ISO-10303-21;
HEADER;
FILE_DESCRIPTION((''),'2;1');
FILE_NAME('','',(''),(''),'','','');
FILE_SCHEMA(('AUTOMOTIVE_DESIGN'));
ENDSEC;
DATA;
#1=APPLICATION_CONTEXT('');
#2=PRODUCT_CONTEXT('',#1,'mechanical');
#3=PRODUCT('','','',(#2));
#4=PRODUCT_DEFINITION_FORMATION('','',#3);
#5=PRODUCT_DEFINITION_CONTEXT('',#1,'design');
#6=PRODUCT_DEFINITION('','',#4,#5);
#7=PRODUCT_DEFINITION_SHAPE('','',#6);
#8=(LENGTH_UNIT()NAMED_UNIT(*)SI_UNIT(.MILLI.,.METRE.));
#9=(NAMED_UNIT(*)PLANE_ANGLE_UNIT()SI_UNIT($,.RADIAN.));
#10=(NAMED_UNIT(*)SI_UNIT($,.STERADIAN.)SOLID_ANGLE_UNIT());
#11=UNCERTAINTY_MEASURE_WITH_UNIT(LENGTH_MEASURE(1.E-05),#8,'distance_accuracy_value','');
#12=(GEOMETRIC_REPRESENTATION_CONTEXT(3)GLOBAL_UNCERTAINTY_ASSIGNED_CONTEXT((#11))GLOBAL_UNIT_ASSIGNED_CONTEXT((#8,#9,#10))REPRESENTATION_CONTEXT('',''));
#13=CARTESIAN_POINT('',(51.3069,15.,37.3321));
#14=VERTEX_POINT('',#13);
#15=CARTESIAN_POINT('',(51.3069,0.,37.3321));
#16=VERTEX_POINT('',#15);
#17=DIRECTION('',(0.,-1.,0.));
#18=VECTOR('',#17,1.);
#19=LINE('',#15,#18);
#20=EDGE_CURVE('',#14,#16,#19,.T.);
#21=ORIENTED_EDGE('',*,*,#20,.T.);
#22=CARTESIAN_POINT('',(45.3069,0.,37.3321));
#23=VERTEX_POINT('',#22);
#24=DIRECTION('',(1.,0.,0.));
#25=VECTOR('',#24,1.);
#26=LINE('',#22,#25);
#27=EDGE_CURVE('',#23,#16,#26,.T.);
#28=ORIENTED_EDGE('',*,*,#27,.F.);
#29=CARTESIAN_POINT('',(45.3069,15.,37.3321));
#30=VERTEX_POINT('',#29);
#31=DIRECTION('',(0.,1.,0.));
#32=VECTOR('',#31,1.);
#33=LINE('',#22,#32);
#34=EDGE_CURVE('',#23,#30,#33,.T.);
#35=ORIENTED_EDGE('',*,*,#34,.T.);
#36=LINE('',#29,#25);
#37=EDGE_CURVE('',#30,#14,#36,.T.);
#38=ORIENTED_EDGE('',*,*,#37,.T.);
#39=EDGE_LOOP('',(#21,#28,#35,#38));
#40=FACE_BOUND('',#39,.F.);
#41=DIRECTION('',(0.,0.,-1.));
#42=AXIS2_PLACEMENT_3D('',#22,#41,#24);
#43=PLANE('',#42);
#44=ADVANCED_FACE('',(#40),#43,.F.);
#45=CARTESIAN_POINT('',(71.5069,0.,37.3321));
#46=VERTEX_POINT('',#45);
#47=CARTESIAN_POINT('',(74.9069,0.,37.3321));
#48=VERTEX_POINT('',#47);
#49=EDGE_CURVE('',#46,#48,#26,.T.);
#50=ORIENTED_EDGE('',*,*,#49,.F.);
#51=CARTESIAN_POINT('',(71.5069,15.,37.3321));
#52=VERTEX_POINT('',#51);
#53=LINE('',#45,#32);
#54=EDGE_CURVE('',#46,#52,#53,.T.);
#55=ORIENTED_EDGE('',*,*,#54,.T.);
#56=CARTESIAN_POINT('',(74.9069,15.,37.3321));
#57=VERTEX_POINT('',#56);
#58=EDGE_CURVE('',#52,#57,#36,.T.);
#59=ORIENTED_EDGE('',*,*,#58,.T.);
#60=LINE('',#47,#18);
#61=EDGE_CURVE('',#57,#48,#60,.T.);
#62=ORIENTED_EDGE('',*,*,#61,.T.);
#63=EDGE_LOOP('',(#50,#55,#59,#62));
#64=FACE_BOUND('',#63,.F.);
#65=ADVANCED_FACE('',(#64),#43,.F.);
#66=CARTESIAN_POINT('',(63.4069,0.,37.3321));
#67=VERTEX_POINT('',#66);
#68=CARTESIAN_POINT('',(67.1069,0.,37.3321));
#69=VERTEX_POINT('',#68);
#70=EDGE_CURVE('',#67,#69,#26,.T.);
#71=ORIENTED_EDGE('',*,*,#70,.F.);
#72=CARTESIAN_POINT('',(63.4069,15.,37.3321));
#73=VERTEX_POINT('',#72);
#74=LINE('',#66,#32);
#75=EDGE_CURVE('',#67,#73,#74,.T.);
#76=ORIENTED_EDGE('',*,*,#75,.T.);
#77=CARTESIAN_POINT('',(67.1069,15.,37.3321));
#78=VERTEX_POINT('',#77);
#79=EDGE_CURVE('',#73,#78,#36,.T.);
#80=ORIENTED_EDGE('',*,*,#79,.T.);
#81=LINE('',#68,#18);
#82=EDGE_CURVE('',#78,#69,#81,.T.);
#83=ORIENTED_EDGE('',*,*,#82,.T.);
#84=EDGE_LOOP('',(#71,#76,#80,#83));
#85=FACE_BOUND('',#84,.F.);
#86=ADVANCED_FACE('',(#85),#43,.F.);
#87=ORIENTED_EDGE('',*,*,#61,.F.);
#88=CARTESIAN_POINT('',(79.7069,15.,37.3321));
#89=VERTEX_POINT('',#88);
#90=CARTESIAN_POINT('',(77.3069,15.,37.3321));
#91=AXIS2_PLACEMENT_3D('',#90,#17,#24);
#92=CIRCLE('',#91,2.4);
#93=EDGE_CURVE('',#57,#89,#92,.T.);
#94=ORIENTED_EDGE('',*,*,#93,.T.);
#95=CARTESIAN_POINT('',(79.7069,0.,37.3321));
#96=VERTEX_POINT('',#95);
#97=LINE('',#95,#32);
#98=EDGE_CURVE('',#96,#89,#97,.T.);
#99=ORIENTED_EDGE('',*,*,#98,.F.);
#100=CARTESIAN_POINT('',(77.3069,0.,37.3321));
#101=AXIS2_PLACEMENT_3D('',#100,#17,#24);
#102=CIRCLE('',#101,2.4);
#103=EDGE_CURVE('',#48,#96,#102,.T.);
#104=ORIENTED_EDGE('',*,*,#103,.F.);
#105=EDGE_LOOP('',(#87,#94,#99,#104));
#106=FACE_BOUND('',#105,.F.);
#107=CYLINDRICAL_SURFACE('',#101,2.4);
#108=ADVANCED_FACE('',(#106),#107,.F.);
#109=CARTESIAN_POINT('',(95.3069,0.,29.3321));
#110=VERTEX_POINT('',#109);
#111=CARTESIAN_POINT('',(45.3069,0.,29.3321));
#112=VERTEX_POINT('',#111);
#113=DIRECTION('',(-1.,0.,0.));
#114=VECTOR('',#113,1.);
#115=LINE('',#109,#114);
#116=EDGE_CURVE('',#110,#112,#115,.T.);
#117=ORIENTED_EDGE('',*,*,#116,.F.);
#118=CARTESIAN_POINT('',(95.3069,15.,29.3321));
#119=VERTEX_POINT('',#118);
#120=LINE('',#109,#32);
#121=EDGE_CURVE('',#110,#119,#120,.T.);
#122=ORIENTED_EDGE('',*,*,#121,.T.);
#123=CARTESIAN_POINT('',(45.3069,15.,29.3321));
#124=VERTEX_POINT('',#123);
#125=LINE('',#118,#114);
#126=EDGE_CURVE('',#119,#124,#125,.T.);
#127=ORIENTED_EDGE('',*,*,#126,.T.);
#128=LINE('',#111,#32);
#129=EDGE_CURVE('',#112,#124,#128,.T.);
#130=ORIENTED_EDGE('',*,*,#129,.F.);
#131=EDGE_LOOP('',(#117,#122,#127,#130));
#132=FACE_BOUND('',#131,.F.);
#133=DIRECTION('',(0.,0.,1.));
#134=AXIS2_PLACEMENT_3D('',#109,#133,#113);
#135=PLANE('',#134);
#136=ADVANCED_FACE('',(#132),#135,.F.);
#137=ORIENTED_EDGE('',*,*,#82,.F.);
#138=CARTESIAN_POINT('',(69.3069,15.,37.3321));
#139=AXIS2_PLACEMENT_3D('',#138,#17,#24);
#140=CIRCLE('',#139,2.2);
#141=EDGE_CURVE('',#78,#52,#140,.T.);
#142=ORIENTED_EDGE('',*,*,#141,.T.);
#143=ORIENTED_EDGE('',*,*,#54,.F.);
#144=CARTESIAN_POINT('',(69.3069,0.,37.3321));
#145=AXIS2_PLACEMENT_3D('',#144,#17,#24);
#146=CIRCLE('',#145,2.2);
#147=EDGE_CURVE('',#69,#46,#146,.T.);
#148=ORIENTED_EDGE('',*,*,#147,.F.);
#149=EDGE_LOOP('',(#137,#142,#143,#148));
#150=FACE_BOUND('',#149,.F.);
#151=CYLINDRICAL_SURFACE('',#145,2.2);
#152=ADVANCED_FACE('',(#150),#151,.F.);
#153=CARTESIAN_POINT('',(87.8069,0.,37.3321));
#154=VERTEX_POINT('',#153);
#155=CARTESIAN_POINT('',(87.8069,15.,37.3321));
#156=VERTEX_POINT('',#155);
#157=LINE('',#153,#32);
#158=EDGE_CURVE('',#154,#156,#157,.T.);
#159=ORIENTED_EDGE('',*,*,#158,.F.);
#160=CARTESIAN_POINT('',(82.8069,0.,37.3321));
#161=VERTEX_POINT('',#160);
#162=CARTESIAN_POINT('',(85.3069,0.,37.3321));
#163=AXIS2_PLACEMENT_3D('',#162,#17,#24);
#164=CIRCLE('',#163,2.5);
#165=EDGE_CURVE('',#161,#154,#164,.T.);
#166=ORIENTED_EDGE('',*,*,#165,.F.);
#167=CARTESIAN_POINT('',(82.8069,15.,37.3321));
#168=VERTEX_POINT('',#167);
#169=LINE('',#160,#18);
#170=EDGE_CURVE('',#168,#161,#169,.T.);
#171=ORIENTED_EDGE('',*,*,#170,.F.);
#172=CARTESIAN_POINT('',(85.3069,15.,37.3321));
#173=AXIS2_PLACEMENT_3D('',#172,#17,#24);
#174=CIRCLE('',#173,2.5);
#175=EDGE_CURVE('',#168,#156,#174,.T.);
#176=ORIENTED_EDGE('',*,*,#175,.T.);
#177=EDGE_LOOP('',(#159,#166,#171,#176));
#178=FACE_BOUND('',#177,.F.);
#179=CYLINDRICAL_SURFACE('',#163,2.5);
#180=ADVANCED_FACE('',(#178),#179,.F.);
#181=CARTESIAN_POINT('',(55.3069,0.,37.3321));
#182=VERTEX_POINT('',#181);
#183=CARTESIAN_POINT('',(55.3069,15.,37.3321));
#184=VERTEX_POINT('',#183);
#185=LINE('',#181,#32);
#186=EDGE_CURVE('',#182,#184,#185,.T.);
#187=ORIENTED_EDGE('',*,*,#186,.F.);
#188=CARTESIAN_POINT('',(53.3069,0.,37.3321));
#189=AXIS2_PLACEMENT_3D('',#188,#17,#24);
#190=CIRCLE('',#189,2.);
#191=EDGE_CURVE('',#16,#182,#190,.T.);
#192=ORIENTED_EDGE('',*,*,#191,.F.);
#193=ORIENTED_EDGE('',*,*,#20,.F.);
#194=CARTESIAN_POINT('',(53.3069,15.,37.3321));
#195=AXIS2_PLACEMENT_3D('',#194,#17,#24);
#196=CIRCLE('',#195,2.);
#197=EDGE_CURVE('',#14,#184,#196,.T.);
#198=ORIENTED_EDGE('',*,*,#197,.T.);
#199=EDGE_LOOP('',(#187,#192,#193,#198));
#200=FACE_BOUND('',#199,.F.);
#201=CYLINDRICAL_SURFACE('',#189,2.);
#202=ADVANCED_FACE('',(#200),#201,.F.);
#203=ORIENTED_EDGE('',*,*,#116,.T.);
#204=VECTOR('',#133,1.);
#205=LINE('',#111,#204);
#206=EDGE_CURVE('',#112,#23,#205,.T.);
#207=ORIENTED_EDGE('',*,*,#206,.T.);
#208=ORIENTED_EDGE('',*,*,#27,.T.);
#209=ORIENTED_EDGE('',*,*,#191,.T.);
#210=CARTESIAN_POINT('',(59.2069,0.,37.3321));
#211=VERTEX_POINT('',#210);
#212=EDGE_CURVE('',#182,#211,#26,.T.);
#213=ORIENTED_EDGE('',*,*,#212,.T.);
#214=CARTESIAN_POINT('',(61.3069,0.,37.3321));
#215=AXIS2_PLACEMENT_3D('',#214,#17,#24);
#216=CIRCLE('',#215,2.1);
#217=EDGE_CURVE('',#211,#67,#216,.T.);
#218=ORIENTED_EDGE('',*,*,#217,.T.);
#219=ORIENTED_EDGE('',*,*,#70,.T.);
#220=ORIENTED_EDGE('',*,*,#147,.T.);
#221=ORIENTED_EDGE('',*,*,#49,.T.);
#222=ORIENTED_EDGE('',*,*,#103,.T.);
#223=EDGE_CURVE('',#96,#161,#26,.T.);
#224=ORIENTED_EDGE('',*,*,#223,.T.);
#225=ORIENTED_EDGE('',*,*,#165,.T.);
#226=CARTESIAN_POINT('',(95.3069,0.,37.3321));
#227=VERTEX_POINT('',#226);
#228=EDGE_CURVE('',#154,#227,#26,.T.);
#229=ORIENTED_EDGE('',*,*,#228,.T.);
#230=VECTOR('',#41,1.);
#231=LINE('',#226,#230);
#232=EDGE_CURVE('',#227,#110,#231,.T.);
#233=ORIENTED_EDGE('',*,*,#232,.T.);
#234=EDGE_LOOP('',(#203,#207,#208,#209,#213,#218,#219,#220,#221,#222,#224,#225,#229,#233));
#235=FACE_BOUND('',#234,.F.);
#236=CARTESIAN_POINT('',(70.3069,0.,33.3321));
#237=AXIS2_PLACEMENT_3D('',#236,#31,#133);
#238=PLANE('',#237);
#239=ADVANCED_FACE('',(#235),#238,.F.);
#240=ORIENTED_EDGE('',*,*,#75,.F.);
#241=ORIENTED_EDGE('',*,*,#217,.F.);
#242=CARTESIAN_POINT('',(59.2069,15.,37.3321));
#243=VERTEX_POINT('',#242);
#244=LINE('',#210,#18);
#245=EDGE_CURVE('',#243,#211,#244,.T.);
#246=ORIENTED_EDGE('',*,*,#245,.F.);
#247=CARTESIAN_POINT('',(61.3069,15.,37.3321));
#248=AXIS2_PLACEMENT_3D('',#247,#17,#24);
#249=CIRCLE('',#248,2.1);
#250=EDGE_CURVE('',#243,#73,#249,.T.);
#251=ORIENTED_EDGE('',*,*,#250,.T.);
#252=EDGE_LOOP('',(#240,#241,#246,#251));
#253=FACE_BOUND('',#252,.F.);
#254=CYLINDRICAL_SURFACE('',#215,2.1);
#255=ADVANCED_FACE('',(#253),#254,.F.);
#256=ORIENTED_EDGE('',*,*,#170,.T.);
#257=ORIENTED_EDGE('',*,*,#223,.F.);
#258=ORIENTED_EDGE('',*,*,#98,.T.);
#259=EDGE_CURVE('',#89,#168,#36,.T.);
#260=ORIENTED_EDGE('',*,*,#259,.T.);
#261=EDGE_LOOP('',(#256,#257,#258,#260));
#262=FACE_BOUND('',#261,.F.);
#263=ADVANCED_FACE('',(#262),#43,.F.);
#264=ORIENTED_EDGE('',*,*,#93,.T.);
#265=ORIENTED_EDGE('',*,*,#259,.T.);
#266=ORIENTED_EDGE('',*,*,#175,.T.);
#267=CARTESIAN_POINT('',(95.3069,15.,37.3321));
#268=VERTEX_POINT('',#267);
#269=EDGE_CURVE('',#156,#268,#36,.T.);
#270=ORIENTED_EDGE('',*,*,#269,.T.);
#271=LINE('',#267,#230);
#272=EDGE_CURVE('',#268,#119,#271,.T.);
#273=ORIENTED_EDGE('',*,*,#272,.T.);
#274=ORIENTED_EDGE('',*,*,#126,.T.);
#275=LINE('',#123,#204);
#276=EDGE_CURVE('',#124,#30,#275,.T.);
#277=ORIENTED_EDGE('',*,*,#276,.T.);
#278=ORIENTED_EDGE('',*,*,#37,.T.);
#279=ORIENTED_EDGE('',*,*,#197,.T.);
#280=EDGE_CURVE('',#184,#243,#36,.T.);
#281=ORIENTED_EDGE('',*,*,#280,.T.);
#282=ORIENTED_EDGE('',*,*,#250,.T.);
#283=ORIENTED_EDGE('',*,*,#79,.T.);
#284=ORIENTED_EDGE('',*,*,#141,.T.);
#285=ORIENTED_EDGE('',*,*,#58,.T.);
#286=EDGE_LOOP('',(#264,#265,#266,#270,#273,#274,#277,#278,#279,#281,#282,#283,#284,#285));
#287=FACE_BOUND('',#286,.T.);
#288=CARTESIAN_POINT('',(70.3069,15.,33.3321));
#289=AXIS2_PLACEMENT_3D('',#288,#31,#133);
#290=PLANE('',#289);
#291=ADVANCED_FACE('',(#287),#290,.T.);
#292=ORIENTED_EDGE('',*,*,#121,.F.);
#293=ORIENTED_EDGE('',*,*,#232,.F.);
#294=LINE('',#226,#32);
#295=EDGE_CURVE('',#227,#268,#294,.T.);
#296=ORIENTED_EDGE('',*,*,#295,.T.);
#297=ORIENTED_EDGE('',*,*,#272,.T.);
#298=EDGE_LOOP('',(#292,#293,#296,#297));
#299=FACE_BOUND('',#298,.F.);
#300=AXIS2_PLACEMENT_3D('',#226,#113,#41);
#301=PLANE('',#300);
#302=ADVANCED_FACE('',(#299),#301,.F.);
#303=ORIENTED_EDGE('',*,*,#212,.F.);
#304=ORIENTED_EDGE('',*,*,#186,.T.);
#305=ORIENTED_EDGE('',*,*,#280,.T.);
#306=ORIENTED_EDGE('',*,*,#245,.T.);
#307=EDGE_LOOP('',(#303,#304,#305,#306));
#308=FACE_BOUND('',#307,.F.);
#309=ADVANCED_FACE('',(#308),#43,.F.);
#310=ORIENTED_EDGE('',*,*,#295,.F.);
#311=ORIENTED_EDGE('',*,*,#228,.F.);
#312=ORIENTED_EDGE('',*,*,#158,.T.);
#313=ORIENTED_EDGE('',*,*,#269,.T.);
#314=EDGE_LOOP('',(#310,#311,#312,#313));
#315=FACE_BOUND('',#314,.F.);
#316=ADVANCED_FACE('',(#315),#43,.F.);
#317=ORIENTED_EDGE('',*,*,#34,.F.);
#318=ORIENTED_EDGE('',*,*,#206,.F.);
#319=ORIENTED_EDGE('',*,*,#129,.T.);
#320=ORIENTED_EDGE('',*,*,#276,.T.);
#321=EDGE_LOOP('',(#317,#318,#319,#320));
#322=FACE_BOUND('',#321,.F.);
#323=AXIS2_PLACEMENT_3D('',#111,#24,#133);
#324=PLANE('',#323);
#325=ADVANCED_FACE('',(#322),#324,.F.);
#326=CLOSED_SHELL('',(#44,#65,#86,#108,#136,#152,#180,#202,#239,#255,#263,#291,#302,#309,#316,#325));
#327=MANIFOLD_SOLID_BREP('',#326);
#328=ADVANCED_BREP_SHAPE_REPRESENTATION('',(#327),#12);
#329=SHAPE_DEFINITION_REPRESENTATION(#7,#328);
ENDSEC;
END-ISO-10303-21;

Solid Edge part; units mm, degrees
sketch "Sketch1" plane through (0, 0, 0) normal (0, -1, 0) x (1, 0, 0)
  line L0 (45.3069, 37.3321) -> (95.3069, 37.3321)
  line L1 (95.3069, 37.3321) -> (95.3069, 29.3321)
  line L2 (95.3069, 29.3321) -> (45.3069, 29.3321)
  line L3 (45.3069, 29.3321) -> (45.3069, 37.3321)
  dimension "D1" = 50
  dimension "D2" = 8
extrude "Protrusion1" add sketch "Sketch1" against normal blind 15
sketch "Sketch2" plane through (70.3069, 0, 33.3321) normal (0, -1, 0) x (1, 0, 0)
  circle A0 centre (-17, 4) radius 2
  circle A1 centre (-9, 4) radius 2.1
  circle A2 centre (-1, 4) radius 2.2
  circle A3 centre (7, 4) radius 2.4
  circle A4 centre (15, 4) radius 2.5
  dimension "D1" = 8
  dimension "D2" = 8
  dimension "D3" = 8
  dimension "D4" = 8
  dimension "D5" = 8
extrude "Cutout1" cut sketch "Sketch2" against normal up to next
